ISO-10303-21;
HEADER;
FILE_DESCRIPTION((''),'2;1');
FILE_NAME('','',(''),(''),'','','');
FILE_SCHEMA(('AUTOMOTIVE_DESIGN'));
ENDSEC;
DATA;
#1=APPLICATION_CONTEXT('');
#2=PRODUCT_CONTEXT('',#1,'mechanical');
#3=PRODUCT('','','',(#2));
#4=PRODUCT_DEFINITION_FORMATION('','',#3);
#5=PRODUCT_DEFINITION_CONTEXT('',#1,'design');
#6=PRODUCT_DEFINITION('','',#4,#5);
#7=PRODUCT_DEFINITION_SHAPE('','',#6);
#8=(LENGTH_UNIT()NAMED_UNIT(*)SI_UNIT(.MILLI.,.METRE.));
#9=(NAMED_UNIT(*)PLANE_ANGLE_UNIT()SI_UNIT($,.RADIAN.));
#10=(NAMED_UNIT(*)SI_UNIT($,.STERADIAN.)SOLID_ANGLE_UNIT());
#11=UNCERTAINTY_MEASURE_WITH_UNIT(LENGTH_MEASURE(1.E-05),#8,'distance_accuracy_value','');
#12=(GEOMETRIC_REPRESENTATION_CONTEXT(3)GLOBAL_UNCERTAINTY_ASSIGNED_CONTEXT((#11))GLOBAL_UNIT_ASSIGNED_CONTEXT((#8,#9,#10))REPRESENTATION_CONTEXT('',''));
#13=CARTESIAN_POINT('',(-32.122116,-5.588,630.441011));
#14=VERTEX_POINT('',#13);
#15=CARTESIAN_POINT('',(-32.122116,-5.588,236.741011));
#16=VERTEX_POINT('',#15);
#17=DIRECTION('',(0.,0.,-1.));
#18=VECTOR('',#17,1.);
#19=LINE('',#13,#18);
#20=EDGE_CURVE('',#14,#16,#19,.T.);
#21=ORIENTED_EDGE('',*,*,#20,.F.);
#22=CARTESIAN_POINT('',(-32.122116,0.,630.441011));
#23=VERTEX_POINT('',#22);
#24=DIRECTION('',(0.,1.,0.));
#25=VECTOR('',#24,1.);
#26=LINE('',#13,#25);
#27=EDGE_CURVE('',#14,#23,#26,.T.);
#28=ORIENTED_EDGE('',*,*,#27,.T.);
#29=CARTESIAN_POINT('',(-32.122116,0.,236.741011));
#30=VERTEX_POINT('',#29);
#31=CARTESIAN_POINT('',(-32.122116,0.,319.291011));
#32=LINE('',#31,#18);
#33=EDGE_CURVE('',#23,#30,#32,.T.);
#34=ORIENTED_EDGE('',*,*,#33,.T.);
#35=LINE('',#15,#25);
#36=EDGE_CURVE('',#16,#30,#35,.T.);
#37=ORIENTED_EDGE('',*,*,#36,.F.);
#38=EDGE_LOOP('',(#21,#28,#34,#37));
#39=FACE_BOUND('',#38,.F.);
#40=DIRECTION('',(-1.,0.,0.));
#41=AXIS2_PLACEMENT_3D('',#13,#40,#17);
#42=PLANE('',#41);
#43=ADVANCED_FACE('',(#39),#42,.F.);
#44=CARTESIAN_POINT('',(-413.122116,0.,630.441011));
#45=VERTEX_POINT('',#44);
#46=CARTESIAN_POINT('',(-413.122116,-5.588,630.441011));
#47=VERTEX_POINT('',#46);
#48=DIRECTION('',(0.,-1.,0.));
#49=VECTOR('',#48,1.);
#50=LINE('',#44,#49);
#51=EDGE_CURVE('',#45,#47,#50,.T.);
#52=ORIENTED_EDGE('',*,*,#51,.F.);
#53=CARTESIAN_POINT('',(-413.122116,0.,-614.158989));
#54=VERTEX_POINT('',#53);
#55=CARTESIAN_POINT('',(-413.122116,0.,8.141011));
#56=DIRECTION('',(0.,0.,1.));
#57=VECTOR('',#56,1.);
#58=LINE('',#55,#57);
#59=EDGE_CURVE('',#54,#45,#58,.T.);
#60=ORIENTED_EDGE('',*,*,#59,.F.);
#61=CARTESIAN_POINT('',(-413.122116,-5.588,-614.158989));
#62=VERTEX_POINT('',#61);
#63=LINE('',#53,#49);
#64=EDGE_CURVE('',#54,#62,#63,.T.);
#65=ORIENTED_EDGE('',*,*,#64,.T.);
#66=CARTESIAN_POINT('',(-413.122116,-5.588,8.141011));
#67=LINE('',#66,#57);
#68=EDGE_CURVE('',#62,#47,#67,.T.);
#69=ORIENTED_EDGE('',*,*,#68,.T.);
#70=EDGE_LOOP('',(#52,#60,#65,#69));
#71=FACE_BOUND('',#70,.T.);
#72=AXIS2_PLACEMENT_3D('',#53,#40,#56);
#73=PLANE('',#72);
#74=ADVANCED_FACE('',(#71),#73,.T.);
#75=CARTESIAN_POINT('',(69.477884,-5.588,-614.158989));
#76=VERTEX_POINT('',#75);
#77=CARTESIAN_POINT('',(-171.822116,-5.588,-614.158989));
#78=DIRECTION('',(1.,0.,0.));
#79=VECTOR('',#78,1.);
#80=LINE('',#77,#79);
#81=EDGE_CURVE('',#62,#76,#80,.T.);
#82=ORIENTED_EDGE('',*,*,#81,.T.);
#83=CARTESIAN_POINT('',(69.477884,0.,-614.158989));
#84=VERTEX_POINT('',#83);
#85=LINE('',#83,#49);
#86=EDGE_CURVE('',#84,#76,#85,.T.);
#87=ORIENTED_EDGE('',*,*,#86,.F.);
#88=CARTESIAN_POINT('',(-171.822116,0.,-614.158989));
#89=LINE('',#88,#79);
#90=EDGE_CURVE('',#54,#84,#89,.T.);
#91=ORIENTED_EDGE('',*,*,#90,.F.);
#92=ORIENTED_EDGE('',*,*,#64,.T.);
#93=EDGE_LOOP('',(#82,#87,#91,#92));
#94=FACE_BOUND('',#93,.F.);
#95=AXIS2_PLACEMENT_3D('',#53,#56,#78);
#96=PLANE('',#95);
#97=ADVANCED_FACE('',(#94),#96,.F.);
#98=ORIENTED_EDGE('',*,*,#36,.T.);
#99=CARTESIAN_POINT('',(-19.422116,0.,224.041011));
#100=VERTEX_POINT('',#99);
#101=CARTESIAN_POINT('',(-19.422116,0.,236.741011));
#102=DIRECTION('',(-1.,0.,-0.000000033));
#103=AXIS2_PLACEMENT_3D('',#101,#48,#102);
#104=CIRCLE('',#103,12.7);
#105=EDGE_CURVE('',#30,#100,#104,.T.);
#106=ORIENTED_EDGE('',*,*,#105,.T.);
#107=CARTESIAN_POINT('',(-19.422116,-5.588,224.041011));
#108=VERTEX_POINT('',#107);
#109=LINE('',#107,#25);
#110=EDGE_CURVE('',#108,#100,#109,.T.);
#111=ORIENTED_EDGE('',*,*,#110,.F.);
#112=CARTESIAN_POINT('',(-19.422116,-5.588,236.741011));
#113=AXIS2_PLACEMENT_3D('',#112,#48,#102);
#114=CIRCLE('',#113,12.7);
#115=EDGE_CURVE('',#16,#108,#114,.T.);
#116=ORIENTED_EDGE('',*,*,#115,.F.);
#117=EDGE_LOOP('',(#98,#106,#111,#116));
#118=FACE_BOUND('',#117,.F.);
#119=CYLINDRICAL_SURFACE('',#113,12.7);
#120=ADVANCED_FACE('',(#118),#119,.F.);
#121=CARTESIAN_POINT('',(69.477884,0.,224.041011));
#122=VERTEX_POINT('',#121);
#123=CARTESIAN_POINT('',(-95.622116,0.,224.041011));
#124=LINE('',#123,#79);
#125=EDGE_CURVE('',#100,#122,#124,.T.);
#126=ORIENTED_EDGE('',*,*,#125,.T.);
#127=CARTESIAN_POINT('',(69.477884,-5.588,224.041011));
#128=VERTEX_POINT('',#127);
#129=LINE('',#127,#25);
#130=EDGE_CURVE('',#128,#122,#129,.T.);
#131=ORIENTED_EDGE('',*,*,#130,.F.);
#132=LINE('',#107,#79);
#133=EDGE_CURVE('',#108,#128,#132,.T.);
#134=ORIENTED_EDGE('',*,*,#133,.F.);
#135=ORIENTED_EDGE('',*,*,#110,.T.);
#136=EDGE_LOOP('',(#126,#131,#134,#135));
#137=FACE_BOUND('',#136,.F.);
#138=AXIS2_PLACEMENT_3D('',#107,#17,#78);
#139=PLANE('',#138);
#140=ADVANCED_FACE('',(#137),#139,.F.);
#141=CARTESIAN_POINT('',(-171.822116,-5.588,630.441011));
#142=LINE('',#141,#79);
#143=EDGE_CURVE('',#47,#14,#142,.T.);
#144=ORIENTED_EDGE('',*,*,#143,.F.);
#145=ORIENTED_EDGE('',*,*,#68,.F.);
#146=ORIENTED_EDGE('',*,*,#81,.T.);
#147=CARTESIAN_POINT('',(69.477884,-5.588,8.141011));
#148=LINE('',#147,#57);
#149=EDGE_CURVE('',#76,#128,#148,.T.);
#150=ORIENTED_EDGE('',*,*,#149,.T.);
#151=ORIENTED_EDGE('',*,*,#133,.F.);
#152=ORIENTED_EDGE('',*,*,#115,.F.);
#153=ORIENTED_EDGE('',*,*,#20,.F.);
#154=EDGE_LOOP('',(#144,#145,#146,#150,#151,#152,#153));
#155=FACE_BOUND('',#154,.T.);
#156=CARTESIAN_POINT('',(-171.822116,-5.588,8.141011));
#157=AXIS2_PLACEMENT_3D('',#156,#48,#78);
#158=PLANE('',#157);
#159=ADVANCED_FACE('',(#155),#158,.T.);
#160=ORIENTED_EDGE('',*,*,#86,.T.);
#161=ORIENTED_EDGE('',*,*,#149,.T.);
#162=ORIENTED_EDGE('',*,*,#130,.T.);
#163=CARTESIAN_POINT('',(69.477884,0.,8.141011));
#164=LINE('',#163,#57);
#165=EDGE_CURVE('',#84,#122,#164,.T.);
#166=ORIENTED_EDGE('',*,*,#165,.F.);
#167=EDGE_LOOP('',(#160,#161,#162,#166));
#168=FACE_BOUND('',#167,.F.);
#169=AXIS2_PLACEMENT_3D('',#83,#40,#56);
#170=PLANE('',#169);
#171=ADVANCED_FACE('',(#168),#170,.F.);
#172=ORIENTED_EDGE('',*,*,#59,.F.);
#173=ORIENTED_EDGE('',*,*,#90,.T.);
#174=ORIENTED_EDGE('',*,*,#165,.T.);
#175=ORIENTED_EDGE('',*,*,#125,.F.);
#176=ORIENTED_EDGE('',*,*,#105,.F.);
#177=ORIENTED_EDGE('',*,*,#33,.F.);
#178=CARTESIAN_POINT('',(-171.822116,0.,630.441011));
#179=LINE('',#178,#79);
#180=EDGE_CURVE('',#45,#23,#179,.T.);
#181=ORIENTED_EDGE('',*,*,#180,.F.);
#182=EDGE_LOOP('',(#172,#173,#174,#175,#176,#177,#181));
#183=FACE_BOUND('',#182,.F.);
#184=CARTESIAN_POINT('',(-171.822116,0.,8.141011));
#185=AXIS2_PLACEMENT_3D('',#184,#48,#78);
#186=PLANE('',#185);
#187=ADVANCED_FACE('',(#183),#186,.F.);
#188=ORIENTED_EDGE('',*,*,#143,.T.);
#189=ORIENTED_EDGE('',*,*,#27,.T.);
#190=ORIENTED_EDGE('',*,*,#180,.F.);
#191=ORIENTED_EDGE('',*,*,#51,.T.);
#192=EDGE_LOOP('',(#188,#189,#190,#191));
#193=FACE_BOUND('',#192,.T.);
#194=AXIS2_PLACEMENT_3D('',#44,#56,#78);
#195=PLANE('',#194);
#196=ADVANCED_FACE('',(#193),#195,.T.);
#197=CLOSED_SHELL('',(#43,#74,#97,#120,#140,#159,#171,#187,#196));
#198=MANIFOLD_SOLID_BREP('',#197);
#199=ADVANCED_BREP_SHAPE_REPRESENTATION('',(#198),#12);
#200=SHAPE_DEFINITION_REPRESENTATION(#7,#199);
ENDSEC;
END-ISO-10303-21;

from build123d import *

# Parameters (mm, degrees)
F0_W     = 482.6
F0_H     = 1244.6
F1_DEPTH = 5.588
F3_DEPTH = 5.589


with BuildPart() as f1:
    # F0 (on Front) → F1 (new body)
    with BuildSketch(Plane.XZ):
        with Locations((-171.822116, 8.141011)):
            Rectangle(F0_W, F0_H)
    extrude(amount=F1_DEPTH)

    # F2 (on face) → F3 (cut, through all)
    with BuildSketch(Plane.XZ.offset(5.588)):
        with BuildLine():
            Line((69.477884, 224.041011), (69.477884, 630.441011))
            Line((69.477884, 630.441011), (-32.122116, 630.441011))
            Line((-32.122116, 630.441011), (-32.122116, 236.741011))
            ThreePointArc((-32.122116, 236.741011), (-28.402372, 227.760755), (-19.422116, 224.041011))
            Line((-19.422116, 224.041011), (69.477884, 224.041011))
        make_face()
    extrude(amount=-F3_DEPTH, mode=Mode.SUBTRACT)


solid = f1.part
